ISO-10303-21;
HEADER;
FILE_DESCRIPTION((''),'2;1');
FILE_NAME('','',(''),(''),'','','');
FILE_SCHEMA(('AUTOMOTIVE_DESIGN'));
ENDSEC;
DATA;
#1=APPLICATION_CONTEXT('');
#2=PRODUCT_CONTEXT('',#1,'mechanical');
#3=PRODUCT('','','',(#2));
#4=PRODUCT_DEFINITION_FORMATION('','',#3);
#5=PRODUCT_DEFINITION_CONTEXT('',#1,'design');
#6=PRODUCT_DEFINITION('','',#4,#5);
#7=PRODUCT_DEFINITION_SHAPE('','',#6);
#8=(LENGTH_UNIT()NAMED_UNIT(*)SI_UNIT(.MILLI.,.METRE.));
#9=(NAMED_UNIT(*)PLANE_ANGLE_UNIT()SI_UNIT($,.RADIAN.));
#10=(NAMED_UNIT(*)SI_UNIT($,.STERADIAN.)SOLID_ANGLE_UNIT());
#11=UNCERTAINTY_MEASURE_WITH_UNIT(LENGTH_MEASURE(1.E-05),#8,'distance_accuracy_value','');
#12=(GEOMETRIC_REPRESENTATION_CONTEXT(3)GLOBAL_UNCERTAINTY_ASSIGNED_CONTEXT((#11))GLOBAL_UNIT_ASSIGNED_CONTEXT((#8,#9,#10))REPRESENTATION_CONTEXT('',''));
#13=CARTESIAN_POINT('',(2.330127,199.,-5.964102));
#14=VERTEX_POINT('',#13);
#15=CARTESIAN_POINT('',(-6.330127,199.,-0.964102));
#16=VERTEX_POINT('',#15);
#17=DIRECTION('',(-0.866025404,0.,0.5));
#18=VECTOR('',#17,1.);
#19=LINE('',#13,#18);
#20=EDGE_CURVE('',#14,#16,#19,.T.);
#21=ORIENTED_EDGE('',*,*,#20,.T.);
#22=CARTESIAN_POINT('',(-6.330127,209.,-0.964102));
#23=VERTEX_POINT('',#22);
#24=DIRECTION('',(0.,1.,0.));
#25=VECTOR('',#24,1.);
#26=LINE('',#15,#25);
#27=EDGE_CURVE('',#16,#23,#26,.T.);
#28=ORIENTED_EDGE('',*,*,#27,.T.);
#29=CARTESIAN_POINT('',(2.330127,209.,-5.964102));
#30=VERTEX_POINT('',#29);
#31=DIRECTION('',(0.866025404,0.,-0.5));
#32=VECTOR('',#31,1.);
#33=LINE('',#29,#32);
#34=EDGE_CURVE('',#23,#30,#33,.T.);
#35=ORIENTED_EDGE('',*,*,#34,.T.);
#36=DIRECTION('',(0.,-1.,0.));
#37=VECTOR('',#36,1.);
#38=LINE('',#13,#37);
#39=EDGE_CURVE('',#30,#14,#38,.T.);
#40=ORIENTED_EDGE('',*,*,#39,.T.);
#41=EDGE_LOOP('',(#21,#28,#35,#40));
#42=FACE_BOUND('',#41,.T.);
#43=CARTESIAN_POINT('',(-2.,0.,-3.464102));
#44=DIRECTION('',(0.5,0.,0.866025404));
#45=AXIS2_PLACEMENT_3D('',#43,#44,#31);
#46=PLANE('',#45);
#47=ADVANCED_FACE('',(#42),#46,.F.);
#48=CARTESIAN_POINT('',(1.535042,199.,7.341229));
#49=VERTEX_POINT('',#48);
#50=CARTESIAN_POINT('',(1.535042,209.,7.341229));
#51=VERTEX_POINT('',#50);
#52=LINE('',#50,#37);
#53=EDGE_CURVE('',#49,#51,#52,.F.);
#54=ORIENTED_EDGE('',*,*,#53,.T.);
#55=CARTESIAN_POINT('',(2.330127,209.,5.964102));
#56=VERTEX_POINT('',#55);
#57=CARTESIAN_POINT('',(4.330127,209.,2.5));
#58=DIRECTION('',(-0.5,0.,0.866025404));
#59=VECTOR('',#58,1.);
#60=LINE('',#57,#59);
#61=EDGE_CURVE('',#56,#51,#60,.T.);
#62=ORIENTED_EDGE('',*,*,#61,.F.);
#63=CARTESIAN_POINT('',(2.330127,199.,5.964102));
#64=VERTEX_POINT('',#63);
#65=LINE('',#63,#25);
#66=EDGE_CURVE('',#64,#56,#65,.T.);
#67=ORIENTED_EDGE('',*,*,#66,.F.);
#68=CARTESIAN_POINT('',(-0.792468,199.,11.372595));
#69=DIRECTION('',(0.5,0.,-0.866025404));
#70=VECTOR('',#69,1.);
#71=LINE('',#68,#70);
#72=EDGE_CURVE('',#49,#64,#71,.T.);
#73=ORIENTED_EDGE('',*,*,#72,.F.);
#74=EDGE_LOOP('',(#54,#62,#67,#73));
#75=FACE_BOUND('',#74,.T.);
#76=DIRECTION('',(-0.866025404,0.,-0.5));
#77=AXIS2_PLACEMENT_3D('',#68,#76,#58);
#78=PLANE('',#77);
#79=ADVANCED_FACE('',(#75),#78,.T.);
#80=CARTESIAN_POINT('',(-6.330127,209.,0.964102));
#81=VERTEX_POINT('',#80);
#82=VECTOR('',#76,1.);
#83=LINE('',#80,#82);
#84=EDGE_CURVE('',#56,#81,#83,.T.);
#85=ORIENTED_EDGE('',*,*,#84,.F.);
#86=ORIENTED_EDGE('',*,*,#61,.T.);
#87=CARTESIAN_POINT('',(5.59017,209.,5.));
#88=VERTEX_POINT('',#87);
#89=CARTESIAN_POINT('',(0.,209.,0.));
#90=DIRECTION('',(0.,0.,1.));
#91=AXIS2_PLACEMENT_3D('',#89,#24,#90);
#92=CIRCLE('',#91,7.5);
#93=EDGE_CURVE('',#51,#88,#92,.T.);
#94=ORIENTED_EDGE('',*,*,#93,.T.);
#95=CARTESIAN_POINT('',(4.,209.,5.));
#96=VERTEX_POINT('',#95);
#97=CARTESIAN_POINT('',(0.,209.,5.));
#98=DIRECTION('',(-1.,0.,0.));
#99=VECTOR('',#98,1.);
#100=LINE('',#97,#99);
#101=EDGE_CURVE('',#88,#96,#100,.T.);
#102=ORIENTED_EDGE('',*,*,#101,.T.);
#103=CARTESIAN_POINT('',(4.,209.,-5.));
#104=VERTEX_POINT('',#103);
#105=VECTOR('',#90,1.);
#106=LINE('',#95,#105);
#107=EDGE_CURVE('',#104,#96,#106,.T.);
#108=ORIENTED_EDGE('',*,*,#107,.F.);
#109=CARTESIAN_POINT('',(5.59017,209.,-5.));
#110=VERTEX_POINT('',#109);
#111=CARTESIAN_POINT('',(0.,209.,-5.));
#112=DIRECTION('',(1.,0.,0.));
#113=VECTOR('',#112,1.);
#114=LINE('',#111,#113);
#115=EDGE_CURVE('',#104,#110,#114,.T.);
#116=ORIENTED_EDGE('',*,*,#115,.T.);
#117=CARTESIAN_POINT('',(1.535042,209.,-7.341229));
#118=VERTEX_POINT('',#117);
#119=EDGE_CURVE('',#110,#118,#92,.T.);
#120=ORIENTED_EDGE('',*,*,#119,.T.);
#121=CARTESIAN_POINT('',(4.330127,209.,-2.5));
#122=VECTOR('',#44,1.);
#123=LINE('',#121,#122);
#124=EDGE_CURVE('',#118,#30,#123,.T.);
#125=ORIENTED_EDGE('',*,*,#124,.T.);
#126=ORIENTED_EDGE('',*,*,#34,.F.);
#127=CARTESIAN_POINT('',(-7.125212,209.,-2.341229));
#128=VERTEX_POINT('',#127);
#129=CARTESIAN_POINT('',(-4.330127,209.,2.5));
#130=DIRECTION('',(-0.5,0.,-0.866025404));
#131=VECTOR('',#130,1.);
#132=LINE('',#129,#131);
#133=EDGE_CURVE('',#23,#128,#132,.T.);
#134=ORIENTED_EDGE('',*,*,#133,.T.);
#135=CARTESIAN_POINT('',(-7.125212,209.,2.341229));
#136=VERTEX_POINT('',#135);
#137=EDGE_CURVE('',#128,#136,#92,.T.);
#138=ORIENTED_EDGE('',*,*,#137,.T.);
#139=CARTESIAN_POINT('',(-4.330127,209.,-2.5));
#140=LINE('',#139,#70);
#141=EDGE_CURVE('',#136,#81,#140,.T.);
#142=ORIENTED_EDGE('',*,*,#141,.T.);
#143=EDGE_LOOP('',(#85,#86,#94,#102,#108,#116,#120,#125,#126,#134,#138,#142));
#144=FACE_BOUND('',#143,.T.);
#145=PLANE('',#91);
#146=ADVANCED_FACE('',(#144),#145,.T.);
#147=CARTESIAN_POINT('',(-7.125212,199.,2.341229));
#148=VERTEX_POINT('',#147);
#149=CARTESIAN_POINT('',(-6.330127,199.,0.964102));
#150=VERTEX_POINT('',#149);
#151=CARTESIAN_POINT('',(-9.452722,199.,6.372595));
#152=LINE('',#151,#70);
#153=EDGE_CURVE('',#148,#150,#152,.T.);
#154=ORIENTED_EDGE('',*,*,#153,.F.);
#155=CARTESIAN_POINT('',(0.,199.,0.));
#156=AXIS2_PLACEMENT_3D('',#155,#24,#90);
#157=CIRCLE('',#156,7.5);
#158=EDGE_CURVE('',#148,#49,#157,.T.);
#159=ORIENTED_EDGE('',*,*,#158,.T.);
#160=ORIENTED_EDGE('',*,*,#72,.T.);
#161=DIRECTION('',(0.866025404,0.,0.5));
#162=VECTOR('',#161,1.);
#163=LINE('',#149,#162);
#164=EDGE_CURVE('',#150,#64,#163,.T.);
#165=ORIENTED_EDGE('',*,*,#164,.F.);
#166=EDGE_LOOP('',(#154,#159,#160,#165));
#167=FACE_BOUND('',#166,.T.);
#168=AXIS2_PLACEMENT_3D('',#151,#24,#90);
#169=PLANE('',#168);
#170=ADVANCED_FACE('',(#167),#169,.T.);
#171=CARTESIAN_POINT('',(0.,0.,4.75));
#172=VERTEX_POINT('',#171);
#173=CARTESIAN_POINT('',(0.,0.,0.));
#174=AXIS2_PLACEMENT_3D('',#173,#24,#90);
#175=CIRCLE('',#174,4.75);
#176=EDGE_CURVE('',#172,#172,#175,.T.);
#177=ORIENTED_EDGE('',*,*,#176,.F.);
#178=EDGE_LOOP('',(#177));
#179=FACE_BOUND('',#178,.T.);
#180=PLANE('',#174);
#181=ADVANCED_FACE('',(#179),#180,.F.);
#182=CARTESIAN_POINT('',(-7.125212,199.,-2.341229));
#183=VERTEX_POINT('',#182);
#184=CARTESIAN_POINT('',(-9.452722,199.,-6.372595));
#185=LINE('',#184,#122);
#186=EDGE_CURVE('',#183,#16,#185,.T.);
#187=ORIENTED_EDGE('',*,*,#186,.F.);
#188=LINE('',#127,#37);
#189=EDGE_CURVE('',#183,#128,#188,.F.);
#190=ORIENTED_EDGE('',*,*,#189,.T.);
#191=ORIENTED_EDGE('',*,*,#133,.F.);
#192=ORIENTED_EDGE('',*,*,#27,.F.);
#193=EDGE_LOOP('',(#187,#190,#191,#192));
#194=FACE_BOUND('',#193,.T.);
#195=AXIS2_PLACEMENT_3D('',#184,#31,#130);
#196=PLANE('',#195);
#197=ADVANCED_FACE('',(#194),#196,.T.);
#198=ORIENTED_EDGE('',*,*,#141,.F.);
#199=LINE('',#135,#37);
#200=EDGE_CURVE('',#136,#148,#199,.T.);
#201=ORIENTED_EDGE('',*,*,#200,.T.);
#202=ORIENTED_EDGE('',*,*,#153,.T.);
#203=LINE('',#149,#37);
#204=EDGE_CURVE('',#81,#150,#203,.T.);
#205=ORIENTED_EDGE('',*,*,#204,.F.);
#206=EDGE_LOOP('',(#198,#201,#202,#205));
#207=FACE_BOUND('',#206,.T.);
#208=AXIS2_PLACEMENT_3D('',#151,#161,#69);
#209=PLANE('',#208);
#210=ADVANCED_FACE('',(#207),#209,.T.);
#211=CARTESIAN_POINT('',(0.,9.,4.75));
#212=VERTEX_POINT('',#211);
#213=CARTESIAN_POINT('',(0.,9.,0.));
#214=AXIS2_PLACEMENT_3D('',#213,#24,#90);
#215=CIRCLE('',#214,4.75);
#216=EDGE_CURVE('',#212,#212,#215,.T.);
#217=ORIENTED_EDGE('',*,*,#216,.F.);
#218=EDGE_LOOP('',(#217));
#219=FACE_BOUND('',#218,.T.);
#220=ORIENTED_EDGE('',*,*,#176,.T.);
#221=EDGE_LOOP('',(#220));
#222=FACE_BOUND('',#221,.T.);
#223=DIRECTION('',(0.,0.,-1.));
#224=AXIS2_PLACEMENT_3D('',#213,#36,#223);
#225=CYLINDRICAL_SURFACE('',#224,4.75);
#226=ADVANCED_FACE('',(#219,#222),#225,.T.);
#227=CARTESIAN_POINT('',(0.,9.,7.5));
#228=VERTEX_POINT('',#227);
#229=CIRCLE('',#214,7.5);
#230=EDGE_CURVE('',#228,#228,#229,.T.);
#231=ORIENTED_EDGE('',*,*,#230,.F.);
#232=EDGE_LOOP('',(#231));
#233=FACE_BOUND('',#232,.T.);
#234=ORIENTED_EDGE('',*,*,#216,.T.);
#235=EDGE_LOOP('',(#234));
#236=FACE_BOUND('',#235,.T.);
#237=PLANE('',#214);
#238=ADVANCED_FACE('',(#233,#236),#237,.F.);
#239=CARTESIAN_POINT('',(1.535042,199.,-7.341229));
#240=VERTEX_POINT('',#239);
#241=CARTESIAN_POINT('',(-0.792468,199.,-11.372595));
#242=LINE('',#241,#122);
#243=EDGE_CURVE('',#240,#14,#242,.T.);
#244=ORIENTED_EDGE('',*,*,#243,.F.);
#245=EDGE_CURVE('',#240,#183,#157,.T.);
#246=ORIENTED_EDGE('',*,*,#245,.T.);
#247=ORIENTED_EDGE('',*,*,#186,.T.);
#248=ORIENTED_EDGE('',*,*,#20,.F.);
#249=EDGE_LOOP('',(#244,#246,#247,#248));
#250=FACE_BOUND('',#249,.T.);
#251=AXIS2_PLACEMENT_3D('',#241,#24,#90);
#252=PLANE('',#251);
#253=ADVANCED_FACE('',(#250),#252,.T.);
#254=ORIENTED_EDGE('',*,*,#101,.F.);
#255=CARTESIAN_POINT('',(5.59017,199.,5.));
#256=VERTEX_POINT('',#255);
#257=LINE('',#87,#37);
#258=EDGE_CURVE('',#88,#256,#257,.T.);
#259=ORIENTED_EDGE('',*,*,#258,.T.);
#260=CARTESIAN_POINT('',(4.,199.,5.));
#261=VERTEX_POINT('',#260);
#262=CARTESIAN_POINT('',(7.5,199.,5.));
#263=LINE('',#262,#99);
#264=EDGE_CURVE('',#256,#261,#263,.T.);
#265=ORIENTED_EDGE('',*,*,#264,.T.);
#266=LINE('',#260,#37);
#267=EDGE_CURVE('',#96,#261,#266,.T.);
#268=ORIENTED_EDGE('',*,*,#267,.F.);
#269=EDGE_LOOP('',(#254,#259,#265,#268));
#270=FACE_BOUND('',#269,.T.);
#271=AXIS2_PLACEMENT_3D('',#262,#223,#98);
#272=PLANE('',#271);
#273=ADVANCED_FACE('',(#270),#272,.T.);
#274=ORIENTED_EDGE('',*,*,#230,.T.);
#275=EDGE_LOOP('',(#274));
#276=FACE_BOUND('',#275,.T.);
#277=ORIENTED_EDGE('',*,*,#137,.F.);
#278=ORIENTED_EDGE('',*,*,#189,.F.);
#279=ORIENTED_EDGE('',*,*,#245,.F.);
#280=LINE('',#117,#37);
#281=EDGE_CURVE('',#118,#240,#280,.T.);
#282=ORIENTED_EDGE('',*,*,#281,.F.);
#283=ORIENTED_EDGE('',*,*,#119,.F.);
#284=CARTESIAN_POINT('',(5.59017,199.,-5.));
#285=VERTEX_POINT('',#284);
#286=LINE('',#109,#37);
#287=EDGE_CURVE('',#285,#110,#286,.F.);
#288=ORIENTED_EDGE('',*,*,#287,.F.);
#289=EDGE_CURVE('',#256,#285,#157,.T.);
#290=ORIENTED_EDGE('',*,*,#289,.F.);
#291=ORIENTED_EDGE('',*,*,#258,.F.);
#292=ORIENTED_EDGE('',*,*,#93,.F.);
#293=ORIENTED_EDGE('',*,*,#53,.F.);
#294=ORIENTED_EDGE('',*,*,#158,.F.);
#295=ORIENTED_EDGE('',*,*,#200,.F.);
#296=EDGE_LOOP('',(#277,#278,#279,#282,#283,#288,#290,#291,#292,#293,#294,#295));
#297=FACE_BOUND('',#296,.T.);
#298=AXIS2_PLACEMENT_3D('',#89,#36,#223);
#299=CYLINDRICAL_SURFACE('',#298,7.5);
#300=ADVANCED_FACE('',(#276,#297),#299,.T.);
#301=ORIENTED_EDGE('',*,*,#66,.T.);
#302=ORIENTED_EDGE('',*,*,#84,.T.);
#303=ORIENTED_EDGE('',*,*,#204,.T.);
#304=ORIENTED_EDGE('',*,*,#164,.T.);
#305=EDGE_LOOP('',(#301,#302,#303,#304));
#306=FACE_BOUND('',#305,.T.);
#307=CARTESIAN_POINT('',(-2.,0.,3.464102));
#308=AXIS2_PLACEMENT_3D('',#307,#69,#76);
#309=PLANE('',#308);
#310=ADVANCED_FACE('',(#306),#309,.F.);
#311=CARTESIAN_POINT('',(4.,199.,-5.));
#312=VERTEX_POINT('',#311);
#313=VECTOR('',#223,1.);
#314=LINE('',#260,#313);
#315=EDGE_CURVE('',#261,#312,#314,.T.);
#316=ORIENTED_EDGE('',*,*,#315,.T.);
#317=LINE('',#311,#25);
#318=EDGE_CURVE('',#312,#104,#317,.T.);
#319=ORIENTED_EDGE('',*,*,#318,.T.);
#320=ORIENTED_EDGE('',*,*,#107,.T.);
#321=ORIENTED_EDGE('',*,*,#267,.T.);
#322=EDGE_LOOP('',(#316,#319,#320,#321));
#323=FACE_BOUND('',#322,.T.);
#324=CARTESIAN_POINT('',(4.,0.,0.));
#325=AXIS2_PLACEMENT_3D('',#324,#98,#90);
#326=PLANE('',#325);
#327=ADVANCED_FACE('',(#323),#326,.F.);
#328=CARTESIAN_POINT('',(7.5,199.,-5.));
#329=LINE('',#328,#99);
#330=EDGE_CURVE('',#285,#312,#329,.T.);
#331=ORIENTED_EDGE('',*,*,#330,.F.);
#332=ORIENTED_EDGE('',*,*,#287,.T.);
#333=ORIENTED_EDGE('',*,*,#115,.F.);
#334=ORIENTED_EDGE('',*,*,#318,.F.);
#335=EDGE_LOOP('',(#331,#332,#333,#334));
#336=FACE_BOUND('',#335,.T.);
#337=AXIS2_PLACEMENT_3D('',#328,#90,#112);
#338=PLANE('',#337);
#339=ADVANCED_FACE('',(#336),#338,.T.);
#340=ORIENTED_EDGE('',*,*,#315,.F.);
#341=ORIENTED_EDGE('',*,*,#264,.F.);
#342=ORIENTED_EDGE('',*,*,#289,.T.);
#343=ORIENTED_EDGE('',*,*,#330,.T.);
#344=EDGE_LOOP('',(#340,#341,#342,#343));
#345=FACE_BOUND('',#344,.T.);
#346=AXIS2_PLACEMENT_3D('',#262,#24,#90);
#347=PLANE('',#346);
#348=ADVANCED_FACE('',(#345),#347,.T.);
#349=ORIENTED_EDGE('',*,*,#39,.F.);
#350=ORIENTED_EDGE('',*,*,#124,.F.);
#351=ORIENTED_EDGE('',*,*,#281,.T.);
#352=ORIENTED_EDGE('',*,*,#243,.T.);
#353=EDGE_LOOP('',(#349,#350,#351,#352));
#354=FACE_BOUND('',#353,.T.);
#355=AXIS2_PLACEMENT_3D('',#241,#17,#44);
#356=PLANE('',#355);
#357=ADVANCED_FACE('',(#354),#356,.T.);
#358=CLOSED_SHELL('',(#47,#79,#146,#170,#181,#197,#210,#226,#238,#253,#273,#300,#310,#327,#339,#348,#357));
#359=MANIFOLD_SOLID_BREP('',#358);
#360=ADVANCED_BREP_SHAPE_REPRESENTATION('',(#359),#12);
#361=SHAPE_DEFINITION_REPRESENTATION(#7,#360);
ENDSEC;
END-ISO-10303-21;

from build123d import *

# Parameters (mm, degrees)
SKETCH1_R           = 4.75
BOSS_EXTRUDE1_DEPTH = 9
SKETCH2_R           = 7.5
BOSS_EXTRUDE2_DEPTH = 200
CUT_EXTRUDE1_START  = 4
SKETCH3_W           = 10
SKETCH3_H           = 10
CUT_EXTRUDE1_DEPTH  = 206.268965688
CIRPATTERN2_COUNT   = 3


with BuildPart() as part:
    # Sketch1 → Boss-Extrude1 (new body)
    with BuildSketch(Plane(origin=(0, 0, 0), x_dir=(1, 0, 0), z_dir=(0, 1, 0))):
        with Locations(Location((0, 0, 0), (0, 0, 270))):
            Circle(SKETCH1_R)
    extrude(amount=BOSS_EXTRUDE1_DEPTH)

    # Sketch2 → Boss-Extrude2 (add)
    with BuildSketch(Plane(origin=(0, 9, 0), x_dir=(1, 0, 0), z_dir=(0, 1, 0))):
        with Locations(Location((0, 0, 0), (0, 0, 270))):
            Circle(SKETCH2_R)
    extrude(amount=BOSS_EXTRUDE2_DEPTH)

    # Sketch3 → Cut-Extrude1 (cut, through all)
    with BuildSketch(Plane(origin=(0, 0, 0), x_dir=(0, 0, -1), z_dir=(1, 0, 0)).offset(CUT_EXTRUDE1_START)):
        with Locations((0, 204)):
            Rectangle(SKETCH3_W, SKETCH3_H)
    cut_extrude1 = extrude(amount=CUT_EXTRUDE1_DEPTH, mode=Mode.SUBTRACT)

    # CirPattern2: Cut-Extrude1 ×3 about axis
    cirpattern2_axis = Axis((0, 0, 0), (0, 1, 0))
    for i in range(1, CIRPATTERN2_COUNT):
        add(cut_extrude1.rotate(cirpattern2_axis, i * 360 / CIRPATTERN2_COUNT), mode=Mode.SUBTRACT)


solid = part.part
